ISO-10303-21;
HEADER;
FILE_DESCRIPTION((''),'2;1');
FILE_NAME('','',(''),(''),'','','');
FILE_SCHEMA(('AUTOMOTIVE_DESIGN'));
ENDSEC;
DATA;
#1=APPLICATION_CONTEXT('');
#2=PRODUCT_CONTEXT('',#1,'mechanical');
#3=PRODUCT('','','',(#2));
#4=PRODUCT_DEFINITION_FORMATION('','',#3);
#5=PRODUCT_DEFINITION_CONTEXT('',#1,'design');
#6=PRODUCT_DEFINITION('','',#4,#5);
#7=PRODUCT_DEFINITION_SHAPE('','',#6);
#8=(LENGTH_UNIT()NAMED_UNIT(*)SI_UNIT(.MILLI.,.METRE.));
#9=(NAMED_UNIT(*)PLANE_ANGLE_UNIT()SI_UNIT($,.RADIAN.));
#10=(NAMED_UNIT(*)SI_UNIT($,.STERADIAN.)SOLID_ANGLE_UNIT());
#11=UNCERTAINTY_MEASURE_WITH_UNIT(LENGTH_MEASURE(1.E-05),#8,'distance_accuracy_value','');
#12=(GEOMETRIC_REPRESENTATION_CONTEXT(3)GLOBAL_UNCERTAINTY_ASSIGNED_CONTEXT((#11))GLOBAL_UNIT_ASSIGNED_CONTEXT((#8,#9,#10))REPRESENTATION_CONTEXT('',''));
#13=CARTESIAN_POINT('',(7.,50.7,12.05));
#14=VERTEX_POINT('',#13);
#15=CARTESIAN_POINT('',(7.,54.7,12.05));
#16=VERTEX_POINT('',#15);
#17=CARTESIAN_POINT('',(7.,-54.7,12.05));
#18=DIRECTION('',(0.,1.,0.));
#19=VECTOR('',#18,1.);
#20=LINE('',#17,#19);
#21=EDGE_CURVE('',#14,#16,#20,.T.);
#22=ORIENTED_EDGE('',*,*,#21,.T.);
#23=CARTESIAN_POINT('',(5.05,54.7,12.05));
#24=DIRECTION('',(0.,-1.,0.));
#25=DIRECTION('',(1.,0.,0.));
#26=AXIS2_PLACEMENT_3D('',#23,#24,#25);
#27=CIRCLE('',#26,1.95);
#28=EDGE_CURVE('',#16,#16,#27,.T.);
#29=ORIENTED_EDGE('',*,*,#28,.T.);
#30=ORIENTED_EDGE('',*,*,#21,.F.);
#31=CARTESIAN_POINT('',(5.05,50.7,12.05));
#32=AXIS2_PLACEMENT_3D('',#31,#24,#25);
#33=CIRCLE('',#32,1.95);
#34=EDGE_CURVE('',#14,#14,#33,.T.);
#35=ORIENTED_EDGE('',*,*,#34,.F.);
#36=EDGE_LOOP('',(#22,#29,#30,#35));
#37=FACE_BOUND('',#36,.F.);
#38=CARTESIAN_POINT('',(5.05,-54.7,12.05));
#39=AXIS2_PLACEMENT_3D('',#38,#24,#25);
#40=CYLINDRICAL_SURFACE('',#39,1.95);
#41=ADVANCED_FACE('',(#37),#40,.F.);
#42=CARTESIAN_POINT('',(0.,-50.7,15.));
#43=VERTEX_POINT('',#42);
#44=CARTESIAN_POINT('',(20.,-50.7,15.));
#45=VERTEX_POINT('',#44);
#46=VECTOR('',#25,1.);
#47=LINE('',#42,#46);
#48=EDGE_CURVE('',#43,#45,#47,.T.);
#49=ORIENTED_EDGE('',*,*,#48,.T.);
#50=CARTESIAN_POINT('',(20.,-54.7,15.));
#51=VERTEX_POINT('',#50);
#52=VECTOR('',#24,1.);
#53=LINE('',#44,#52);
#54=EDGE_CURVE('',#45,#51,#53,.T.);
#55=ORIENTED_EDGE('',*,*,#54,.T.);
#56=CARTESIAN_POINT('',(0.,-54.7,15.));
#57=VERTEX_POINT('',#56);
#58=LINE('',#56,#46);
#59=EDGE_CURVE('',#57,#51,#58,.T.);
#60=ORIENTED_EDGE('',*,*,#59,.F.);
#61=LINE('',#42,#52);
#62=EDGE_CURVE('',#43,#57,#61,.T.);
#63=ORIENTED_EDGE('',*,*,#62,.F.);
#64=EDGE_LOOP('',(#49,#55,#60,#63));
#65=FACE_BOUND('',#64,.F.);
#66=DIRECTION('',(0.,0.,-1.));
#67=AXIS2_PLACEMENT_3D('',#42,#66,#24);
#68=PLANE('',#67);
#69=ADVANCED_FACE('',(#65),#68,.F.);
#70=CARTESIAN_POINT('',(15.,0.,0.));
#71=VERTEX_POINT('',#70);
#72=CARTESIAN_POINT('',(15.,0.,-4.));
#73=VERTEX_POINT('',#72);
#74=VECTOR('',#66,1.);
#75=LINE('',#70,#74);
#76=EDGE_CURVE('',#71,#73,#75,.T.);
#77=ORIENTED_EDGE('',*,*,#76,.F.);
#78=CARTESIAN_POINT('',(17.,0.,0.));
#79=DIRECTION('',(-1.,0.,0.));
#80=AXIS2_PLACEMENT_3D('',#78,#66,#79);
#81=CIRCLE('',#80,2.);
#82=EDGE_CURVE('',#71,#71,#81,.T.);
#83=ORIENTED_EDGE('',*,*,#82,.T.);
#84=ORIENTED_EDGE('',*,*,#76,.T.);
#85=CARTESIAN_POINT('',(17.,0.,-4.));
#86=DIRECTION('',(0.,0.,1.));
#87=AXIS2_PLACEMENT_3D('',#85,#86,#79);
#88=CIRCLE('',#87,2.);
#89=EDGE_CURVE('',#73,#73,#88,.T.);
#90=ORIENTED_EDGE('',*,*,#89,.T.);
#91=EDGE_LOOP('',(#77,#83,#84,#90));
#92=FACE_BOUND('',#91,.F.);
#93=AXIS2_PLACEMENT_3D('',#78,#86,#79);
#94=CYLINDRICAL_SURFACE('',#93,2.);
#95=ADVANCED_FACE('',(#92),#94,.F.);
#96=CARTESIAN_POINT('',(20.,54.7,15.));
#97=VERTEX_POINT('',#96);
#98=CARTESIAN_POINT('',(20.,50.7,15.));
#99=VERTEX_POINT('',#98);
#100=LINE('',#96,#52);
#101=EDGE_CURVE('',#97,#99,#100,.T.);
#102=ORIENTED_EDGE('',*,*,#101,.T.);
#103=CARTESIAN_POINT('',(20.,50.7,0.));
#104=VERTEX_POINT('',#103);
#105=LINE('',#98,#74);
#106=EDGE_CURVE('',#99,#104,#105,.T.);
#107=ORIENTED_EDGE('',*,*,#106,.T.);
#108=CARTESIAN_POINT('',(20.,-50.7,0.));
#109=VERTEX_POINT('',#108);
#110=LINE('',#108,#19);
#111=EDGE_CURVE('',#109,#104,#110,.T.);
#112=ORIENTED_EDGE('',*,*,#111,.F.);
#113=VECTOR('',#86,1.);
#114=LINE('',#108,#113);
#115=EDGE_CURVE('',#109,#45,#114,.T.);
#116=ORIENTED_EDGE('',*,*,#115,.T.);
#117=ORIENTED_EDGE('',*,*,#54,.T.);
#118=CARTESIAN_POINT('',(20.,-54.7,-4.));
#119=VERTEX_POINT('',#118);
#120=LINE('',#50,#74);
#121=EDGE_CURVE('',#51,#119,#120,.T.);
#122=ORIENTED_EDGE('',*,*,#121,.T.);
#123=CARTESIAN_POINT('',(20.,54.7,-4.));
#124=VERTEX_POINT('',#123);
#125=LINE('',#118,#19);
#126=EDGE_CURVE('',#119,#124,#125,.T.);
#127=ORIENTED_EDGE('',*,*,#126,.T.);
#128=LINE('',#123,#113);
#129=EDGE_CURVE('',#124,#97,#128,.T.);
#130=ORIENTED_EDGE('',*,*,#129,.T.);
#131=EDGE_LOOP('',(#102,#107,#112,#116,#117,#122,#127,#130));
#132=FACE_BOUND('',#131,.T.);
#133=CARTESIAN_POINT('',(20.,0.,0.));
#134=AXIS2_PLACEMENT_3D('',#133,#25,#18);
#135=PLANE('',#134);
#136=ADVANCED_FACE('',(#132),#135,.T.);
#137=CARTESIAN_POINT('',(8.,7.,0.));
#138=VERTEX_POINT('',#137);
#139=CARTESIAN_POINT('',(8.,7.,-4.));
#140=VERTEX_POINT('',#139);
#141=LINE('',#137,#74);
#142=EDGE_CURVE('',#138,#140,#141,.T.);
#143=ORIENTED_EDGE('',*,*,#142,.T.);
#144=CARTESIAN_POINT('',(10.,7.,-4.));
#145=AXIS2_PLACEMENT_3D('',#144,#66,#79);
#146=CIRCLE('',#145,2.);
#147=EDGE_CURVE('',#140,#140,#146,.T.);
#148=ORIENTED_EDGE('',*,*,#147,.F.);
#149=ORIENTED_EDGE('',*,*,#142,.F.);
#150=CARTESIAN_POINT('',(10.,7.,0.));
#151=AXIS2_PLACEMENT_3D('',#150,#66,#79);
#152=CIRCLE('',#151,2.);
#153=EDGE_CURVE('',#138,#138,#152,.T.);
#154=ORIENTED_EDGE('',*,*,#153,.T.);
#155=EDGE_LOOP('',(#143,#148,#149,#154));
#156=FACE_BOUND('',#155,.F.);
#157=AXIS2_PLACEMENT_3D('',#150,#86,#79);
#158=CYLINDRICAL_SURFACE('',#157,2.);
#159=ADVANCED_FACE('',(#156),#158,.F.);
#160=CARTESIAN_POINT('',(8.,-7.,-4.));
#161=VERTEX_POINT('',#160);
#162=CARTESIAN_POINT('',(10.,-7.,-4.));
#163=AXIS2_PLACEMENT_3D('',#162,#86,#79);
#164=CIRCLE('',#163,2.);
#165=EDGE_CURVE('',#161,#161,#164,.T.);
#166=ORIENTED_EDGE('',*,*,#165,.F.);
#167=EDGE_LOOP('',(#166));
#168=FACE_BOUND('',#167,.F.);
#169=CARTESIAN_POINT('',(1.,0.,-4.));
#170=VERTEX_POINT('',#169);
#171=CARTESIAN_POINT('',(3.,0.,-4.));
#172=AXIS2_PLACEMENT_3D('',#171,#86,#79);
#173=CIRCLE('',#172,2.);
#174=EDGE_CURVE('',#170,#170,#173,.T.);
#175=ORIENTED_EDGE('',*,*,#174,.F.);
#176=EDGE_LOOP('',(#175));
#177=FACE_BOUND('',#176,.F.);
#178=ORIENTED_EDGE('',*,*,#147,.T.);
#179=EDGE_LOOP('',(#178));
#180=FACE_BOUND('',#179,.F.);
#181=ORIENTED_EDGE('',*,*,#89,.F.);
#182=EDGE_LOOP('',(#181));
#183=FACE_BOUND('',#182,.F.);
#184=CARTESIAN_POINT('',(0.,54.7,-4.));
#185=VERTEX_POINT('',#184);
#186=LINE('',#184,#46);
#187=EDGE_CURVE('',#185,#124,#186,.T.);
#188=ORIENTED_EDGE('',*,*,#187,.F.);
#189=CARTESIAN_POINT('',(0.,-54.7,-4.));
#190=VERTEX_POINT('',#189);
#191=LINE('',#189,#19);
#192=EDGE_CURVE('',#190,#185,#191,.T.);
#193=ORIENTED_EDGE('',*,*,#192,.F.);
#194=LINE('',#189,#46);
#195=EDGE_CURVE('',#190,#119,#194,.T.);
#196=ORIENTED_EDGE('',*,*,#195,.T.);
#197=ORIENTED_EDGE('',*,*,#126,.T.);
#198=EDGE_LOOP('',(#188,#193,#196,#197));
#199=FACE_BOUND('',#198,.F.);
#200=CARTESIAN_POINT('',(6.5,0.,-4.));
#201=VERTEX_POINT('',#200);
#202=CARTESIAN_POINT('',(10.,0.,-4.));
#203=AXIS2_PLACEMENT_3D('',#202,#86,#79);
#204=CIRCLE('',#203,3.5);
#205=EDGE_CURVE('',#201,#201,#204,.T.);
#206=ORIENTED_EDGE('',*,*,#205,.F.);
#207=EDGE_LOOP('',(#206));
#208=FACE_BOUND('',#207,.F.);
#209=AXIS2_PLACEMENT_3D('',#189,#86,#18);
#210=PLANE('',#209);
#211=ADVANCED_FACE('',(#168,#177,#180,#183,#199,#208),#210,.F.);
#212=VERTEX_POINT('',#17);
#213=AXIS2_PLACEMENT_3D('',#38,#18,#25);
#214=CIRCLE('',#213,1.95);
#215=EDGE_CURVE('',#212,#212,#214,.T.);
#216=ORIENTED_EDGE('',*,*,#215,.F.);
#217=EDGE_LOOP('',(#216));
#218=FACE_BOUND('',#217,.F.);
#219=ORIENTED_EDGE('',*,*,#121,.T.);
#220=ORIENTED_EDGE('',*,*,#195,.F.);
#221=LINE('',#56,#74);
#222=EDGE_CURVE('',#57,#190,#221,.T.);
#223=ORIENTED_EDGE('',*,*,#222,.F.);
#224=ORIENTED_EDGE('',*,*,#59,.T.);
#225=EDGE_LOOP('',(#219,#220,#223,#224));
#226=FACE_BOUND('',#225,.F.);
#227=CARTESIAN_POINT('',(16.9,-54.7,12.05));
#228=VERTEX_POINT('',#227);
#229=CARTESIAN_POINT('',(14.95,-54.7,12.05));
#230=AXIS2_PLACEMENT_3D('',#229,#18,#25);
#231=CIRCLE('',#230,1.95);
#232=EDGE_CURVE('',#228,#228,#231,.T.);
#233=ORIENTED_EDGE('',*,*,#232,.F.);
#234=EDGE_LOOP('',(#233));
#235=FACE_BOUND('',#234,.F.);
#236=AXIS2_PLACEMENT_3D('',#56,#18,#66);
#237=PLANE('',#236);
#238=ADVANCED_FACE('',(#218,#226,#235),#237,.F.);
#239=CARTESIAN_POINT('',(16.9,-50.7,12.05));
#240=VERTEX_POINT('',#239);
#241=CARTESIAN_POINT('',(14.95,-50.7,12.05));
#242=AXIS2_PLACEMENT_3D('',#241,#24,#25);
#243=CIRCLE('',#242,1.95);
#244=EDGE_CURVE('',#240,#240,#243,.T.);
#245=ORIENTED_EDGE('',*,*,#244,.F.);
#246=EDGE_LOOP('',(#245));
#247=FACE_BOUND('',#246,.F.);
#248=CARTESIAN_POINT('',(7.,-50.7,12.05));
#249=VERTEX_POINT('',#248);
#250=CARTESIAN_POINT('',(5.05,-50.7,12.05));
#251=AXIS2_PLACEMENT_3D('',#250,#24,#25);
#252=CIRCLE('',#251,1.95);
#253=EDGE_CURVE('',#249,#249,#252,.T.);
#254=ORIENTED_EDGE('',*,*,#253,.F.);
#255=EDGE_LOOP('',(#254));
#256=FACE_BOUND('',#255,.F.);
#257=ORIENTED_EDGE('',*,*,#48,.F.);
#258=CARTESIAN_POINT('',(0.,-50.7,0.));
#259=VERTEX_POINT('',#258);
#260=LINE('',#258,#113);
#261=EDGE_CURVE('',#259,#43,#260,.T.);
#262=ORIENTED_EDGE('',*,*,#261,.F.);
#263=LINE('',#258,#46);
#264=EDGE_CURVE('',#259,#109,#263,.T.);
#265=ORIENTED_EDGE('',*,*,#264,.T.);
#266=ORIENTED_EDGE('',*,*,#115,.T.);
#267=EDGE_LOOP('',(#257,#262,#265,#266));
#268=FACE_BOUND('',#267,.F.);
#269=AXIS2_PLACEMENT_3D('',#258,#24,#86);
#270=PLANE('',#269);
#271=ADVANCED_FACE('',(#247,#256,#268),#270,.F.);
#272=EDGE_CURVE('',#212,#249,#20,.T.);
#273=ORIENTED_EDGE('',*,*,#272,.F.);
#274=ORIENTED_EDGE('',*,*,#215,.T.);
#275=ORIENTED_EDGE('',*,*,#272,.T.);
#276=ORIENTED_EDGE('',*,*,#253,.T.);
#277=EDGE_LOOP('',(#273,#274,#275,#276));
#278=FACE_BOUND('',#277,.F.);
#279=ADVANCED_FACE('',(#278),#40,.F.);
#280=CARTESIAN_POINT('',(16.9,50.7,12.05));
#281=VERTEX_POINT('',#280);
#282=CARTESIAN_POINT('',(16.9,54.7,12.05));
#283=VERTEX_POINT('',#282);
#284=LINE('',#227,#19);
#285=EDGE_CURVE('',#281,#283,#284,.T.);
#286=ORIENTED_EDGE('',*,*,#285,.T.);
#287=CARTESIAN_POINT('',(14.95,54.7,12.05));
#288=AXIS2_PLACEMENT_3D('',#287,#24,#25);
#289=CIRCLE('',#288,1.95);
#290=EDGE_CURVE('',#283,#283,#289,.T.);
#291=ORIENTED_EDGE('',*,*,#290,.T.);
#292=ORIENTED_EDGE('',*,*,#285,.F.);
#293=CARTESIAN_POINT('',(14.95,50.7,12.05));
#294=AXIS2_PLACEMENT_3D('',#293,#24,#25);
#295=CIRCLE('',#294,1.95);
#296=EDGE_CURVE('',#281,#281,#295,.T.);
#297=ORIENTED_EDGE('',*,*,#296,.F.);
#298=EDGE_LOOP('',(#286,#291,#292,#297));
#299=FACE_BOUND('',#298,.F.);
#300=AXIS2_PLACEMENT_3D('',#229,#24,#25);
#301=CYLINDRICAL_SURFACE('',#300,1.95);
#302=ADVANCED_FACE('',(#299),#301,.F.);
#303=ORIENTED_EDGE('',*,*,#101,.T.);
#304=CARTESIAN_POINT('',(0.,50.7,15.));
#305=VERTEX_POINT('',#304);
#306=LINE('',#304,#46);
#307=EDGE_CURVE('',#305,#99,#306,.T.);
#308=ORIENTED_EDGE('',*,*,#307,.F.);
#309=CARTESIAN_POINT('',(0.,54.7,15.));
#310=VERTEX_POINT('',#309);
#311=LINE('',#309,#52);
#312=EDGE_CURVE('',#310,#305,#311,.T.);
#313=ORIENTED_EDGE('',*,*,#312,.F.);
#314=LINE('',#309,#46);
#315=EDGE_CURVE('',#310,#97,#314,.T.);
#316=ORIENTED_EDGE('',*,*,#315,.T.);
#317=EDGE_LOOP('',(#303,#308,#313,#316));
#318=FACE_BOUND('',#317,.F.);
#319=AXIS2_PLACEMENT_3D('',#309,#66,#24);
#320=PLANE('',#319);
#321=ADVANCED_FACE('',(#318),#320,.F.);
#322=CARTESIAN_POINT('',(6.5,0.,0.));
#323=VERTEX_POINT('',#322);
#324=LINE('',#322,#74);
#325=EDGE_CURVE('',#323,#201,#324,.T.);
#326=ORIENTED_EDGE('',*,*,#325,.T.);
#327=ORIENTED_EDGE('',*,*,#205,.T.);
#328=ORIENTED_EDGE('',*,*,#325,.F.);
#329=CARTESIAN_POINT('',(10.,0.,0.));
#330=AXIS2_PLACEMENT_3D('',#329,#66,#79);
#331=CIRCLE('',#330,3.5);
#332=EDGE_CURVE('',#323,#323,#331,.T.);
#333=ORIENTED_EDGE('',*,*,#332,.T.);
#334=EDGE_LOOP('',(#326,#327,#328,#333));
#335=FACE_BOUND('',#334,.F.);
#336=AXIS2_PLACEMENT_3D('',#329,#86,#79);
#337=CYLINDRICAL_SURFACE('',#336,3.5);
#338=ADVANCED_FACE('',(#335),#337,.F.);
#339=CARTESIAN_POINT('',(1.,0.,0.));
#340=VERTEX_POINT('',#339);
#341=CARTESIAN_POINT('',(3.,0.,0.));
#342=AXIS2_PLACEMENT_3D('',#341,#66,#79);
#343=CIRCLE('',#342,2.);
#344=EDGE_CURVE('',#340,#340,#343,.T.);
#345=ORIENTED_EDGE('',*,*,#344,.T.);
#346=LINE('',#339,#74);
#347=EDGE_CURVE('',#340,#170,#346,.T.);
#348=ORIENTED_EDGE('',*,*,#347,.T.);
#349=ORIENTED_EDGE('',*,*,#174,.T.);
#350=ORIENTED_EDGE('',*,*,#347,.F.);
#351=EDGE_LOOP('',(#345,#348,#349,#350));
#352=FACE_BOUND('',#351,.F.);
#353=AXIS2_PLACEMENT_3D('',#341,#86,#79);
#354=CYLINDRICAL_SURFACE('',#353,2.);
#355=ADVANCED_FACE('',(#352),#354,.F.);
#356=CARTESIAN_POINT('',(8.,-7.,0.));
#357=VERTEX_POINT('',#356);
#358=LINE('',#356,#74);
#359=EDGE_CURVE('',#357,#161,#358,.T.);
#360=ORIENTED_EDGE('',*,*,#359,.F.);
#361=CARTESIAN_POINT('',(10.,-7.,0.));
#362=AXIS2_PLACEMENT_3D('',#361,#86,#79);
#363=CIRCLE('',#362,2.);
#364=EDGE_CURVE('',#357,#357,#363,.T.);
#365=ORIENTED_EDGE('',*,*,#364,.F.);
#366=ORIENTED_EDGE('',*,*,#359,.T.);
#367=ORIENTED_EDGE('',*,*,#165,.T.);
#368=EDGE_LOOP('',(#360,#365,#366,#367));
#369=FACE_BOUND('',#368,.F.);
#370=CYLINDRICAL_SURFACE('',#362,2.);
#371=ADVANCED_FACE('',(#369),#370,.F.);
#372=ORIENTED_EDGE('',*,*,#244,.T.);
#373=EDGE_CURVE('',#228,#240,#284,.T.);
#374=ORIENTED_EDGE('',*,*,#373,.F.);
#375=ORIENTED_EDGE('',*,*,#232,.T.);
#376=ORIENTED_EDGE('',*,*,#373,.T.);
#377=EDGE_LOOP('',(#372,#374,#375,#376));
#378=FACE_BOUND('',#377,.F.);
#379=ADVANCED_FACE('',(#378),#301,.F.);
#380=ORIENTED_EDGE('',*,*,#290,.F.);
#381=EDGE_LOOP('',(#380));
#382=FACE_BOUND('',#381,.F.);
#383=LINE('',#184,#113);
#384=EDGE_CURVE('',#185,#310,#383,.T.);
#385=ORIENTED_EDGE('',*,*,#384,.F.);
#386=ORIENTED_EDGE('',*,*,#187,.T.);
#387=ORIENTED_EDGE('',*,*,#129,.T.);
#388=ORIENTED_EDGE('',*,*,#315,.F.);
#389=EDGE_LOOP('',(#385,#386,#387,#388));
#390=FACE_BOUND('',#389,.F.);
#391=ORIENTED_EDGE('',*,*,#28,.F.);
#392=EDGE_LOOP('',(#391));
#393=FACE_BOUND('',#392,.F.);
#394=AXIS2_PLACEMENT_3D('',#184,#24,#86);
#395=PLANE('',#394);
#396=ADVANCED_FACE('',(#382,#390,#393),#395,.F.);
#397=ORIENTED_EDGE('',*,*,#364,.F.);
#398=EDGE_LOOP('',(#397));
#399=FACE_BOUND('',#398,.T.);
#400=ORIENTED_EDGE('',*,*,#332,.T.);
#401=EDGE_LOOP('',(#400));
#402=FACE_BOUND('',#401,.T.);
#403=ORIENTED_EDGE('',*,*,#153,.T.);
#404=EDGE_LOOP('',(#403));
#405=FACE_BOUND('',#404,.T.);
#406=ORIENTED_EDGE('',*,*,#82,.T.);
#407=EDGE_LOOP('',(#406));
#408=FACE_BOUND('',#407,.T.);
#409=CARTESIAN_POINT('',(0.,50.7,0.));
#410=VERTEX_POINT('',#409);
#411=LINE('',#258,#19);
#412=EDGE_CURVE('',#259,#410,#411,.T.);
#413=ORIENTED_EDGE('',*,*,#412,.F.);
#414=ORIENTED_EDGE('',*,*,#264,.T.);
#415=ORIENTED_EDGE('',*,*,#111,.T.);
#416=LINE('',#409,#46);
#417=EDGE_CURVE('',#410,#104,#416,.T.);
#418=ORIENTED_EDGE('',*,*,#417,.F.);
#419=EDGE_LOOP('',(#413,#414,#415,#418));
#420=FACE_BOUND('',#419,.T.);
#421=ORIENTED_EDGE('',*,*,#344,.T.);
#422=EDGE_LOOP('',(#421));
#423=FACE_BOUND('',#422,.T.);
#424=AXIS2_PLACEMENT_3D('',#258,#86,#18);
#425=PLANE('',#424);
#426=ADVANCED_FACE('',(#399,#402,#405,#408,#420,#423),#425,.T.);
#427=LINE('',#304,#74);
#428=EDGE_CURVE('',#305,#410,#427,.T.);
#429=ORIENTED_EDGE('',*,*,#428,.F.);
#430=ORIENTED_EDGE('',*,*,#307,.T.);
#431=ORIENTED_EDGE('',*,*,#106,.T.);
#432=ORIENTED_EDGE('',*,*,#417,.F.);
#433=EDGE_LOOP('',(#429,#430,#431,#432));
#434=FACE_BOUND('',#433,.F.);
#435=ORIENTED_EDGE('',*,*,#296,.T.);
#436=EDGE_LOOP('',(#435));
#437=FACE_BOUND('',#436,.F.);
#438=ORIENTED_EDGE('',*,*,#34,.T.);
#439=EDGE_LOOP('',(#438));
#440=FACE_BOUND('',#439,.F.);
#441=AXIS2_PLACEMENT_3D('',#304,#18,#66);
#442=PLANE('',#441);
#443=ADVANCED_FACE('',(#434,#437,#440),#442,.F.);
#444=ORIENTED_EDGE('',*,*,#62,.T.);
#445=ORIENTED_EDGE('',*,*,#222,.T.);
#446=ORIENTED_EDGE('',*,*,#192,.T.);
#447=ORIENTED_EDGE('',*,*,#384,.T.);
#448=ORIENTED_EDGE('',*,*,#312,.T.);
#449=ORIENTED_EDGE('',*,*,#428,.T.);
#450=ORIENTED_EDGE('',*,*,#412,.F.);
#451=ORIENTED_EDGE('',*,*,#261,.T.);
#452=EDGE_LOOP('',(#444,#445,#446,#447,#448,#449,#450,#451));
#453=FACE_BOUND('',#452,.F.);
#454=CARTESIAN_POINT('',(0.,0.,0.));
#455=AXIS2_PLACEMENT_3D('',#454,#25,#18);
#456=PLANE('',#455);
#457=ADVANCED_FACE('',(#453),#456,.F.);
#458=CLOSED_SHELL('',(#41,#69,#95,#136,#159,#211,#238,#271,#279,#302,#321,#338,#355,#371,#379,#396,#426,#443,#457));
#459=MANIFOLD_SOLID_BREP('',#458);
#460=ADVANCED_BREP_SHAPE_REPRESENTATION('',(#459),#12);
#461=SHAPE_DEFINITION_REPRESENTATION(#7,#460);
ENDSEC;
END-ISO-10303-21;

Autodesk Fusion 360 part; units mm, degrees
sketch "Sketch1" plane through (0, 0, 0) normal (1, 0, 0) x (0, 1, 0)
  line L0 (-50.7, 0) -> (50.7, 0)
  line L1 (-50.7, 0) -> (-50.7, 15)
  line L2 (-50.7, 15) -> (-54.7, 15)
  line L3 (-54.7, 15) -> (-54.7, -4)
  line L4 (-54.7, -4) -> (54.7, -4)
  line L5 (54.7, -4) -> (54.7, 15)
  line L6 (54.7, 15) -> (50.7, 15)
  line L7 (50.7, 15) -> (50.7, 0)
  dimension "d1" = 101.4
  dimension "d2" = 15
  dimension "d3" = 4
  dimension "d4" = 4
  dimension "d5" = 4
extrude "Extrude1" add sketch "Sketch1" along normal blind 20
sketch "Sketch2" plane through (0, -54.7, 0) normal (0, -1, 0) x (1, 0, 0)
  line L0 (0, 15) -> (0, -4)
  line L1 (0, -4) -> (20, -4)
  line L2 (20, -4) -> (20, 15)
  line L3 (20, 15) -> (0, 15)
  line L4 (7, 12.05) -> (13, 12.05)
  line L5 (3.1, 12.05) -> (16.9, 12.05)
  circle A0 centre (5.05, 12.05) radius 1.95
  circle A1 centre (14.95, 12.05) radius 1.95
  line L6 (10, 12.05) -> (10, 15)
  line L7 (5.05, 14) -> (10, 14)
  dimension "d8" = 6
  dimension "d9" = 13.8
  dimension "d10" = 1
extrude "Extrude2" cut sketch "Sketch2" against normal blind 109.4 contours L5 A1 | L5 A1 | L5 A0 | L5 A0
sketch "Sketch3" plane through (0, 0, 0) normal (0, 0, 1) x (-1, 0, 0)
  line L0 (0, -50.7) -> (0, 50.7)
  line L1 (0, 50.7) -> (-20, 50.7)
  line L2 (-20, 50.7) -> (-20, -50.7)
  line L3 (-20, -50.7) -> (0, -50.7)
  line L4 (0, 0) -> (-20, 0)
  line L5 (-10, 0) -> (-10, -5.6)
  line L6 (-10, 0) -> (-10, -8.4)
  circle A0 centre (-10, -7) radius 1.4
  circle A1 centre (-10, -7) radius 2
  circle A2 centre (-3, 0) radius 2
  circle A3 centre (-10, 7) radius 2
  circle A4 centre (-17, 0) radius 2
  circle A5 centre (-10, 0) radius 3.5
  dimension "d13" = 5.6
  dimension "d14" = 8.4
  dimension "d15" = 4
  dimension "d17" = 360
  dimension "d20" = 7
extrude "Extrude3" cut sketch "Sketch3" against normal blind 4 contours L6 A0 | L6 A0 | A1 | L4 A2 | L4 A2 | L4 A4 | L4 A4 | L4 L5 L6 A5 | L4 A5 | L4 L5 L6 A5 | A3
equation "d13 = ( 11.2 / 2 ) * 1 mm"
equation "d14 = ( 16.8 / 2 ) * 1 mm"
